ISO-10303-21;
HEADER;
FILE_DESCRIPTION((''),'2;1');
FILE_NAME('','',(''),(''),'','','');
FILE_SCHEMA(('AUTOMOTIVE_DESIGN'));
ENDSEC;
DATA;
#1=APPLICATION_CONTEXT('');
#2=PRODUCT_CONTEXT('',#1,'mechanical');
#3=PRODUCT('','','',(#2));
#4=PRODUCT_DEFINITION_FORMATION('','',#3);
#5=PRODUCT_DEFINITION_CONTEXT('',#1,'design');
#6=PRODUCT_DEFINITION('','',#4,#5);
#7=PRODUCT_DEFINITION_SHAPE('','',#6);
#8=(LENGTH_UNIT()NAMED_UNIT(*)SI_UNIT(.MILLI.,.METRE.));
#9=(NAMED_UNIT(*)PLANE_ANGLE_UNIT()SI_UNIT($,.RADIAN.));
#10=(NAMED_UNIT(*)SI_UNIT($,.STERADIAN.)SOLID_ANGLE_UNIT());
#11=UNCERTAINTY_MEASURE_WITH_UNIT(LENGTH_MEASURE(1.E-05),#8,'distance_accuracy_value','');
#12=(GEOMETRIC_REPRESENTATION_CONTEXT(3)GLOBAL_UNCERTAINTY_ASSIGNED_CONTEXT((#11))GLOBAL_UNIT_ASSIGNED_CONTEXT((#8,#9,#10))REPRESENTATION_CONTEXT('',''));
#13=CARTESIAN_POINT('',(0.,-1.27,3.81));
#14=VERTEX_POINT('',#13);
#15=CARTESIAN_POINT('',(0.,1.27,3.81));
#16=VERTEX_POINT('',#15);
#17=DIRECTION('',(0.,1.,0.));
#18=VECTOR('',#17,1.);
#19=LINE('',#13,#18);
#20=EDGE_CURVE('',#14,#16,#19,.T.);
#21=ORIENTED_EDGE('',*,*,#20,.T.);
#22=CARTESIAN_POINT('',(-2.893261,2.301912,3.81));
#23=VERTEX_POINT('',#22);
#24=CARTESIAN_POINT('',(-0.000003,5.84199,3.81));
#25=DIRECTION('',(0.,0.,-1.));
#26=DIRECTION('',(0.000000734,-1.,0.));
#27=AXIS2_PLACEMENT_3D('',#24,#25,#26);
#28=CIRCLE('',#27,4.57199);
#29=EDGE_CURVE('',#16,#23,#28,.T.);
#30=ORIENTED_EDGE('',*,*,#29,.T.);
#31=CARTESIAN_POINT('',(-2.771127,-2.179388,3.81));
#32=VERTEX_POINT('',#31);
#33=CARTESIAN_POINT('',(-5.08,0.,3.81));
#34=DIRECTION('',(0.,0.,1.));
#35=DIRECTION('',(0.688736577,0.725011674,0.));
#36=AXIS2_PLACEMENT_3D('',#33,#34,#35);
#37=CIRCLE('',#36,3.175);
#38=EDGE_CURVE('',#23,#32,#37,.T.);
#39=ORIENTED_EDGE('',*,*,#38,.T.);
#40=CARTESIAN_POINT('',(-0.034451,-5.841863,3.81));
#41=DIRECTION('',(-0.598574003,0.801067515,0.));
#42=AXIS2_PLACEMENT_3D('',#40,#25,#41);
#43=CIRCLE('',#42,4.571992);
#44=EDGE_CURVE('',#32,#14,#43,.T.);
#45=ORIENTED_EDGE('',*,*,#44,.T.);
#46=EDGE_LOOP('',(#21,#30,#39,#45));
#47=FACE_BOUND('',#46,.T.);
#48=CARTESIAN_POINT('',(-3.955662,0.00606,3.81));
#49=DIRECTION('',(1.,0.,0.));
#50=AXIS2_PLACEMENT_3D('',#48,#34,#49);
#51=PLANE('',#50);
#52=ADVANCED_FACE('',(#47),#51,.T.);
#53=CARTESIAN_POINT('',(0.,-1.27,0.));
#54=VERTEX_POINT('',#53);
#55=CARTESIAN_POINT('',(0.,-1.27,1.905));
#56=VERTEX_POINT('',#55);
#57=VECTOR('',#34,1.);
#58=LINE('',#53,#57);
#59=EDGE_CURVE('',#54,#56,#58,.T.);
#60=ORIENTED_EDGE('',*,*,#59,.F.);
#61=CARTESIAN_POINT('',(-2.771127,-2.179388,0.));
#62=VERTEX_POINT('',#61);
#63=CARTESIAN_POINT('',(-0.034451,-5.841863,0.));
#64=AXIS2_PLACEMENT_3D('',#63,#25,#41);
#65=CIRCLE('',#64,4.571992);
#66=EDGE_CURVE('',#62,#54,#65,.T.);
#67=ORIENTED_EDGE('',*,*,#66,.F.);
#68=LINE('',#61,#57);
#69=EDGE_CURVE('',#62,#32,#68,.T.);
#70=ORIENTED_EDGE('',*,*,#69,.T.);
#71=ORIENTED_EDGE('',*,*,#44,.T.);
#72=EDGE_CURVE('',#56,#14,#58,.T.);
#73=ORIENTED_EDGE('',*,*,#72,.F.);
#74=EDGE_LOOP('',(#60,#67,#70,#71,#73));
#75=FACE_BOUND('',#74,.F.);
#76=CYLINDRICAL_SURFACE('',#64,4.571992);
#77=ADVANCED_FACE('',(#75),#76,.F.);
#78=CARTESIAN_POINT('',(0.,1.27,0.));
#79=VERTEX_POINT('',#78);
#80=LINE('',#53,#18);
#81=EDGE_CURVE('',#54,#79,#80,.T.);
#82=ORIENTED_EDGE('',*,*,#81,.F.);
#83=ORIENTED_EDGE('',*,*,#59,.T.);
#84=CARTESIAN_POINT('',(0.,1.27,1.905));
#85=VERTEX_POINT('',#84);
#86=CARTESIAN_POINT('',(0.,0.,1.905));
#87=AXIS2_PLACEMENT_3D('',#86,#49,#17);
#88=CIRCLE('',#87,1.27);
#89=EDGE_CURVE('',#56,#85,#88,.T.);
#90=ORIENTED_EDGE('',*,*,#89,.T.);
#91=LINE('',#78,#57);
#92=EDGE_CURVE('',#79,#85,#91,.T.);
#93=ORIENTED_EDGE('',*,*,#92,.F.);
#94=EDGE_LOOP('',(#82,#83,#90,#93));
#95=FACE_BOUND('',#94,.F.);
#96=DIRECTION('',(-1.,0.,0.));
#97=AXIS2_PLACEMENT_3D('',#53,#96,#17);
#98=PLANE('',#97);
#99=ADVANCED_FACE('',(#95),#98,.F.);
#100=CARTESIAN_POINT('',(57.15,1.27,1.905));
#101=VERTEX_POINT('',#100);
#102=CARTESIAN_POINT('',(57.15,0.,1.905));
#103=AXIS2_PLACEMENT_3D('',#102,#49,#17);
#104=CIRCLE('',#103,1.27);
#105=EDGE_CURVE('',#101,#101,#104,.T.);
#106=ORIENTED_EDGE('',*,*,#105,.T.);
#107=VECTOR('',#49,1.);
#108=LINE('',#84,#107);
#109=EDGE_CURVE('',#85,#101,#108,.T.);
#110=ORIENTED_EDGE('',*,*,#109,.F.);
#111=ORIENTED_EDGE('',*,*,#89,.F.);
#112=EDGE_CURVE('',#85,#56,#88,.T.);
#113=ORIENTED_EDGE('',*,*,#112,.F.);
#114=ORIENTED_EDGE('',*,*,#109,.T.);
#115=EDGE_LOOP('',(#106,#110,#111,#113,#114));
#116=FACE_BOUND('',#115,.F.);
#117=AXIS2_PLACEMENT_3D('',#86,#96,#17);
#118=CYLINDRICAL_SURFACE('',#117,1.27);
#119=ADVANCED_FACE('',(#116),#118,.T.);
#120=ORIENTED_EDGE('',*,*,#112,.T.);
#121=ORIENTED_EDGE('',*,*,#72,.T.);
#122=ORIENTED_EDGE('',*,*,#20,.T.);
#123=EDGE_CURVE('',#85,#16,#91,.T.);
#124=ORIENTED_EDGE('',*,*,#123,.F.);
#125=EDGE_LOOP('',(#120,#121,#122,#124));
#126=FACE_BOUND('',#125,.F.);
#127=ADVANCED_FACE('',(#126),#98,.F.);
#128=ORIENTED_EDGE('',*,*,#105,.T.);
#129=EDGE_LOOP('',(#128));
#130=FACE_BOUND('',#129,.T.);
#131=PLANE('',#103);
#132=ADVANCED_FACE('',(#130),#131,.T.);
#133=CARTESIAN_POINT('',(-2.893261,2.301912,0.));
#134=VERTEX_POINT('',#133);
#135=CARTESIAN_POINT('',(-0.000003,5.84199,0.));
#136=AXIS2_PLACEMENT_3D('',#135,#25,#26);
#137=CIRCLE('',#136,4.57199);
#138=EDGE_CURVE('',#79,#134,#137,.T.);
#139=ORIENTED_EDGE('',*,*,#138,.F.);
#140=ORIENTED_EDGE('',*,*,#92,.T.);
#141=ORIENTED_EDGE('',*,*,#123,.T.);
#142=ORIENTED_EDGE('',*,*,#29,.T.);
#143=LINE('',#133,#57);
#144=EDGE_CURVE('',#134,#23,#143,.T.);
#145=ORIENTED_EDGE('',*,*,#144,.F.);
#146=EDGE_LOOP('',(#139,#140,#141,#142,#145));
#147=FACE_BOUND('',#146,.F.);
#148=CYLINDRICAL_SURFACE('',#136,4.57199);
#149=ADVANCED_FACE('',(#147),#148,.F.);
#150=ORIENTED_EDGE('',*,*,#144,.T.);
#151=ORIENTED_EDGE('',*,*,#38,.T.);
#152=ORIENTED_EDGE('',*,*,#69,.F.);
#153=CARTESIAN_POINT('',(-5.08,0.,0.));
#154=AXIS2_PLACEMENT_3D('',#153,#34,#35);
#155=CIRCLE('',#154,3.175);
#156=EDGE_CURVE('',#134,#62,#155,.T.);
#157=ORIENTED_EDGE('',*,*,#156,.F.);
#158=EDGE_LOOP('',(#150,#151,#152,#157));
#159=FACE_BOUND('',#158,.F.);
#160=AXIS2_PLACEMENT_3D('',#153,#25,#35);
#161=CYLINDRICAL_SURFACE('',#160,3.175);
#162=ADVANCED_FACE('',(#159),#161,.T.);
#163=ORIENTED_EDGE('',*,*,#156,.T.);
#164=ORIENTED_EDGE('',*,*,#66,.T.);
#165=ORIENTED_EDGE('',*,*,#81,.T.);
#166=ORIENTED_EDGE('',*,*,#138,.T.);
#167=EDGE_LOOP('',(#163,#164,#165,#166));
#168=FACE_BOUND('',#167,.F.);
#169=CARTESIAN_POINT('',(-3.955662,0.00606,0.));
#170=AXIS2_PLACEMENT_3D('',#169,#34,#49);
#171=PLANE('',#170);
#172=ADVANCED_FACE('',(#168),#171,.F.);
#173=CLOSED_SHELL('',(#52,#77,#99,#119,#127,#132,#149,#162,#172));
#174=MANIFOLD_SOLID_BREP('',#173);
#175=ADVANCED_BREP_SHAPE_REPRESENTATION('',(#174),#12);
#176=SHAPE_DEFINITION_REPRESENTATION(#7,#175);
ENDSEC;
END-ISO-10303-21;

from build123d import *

# Parameters (mm, degrees)
F1_DEPTH = 3.81
F2_R     = 1.27
F3_DEPTH = 57.15


with BuildPart() as f1:
    # F0 (on Top) → F1 (new body)
    with BuildSketch(Plane.XY):
        with BuildLine():
            ThreePointArc((0, 1.27), (-1.535888, 1.535698), (-2.893261, 2.301912))
            ThreePointArc((-2.893261, 2.301912), (-8.253821, -0.0865), (-2.771127, -2.179388))
            ThreePointArc((-2.771127, -2.179388), (-1.460022, -1.497802), (0, -1.27))
            Line((0, -1.27), (0, 1.27))
        make_face()
    extrude(amount=F1_DEPTH)

    # F2 (on Right) → F3 (join)
    with BuildSketch(Plane.YZ):
        with Locations((0, 1.905)):
            Circle(F2_R)
    extrude(amount=F3_DEPTH)


solid = f1.part
